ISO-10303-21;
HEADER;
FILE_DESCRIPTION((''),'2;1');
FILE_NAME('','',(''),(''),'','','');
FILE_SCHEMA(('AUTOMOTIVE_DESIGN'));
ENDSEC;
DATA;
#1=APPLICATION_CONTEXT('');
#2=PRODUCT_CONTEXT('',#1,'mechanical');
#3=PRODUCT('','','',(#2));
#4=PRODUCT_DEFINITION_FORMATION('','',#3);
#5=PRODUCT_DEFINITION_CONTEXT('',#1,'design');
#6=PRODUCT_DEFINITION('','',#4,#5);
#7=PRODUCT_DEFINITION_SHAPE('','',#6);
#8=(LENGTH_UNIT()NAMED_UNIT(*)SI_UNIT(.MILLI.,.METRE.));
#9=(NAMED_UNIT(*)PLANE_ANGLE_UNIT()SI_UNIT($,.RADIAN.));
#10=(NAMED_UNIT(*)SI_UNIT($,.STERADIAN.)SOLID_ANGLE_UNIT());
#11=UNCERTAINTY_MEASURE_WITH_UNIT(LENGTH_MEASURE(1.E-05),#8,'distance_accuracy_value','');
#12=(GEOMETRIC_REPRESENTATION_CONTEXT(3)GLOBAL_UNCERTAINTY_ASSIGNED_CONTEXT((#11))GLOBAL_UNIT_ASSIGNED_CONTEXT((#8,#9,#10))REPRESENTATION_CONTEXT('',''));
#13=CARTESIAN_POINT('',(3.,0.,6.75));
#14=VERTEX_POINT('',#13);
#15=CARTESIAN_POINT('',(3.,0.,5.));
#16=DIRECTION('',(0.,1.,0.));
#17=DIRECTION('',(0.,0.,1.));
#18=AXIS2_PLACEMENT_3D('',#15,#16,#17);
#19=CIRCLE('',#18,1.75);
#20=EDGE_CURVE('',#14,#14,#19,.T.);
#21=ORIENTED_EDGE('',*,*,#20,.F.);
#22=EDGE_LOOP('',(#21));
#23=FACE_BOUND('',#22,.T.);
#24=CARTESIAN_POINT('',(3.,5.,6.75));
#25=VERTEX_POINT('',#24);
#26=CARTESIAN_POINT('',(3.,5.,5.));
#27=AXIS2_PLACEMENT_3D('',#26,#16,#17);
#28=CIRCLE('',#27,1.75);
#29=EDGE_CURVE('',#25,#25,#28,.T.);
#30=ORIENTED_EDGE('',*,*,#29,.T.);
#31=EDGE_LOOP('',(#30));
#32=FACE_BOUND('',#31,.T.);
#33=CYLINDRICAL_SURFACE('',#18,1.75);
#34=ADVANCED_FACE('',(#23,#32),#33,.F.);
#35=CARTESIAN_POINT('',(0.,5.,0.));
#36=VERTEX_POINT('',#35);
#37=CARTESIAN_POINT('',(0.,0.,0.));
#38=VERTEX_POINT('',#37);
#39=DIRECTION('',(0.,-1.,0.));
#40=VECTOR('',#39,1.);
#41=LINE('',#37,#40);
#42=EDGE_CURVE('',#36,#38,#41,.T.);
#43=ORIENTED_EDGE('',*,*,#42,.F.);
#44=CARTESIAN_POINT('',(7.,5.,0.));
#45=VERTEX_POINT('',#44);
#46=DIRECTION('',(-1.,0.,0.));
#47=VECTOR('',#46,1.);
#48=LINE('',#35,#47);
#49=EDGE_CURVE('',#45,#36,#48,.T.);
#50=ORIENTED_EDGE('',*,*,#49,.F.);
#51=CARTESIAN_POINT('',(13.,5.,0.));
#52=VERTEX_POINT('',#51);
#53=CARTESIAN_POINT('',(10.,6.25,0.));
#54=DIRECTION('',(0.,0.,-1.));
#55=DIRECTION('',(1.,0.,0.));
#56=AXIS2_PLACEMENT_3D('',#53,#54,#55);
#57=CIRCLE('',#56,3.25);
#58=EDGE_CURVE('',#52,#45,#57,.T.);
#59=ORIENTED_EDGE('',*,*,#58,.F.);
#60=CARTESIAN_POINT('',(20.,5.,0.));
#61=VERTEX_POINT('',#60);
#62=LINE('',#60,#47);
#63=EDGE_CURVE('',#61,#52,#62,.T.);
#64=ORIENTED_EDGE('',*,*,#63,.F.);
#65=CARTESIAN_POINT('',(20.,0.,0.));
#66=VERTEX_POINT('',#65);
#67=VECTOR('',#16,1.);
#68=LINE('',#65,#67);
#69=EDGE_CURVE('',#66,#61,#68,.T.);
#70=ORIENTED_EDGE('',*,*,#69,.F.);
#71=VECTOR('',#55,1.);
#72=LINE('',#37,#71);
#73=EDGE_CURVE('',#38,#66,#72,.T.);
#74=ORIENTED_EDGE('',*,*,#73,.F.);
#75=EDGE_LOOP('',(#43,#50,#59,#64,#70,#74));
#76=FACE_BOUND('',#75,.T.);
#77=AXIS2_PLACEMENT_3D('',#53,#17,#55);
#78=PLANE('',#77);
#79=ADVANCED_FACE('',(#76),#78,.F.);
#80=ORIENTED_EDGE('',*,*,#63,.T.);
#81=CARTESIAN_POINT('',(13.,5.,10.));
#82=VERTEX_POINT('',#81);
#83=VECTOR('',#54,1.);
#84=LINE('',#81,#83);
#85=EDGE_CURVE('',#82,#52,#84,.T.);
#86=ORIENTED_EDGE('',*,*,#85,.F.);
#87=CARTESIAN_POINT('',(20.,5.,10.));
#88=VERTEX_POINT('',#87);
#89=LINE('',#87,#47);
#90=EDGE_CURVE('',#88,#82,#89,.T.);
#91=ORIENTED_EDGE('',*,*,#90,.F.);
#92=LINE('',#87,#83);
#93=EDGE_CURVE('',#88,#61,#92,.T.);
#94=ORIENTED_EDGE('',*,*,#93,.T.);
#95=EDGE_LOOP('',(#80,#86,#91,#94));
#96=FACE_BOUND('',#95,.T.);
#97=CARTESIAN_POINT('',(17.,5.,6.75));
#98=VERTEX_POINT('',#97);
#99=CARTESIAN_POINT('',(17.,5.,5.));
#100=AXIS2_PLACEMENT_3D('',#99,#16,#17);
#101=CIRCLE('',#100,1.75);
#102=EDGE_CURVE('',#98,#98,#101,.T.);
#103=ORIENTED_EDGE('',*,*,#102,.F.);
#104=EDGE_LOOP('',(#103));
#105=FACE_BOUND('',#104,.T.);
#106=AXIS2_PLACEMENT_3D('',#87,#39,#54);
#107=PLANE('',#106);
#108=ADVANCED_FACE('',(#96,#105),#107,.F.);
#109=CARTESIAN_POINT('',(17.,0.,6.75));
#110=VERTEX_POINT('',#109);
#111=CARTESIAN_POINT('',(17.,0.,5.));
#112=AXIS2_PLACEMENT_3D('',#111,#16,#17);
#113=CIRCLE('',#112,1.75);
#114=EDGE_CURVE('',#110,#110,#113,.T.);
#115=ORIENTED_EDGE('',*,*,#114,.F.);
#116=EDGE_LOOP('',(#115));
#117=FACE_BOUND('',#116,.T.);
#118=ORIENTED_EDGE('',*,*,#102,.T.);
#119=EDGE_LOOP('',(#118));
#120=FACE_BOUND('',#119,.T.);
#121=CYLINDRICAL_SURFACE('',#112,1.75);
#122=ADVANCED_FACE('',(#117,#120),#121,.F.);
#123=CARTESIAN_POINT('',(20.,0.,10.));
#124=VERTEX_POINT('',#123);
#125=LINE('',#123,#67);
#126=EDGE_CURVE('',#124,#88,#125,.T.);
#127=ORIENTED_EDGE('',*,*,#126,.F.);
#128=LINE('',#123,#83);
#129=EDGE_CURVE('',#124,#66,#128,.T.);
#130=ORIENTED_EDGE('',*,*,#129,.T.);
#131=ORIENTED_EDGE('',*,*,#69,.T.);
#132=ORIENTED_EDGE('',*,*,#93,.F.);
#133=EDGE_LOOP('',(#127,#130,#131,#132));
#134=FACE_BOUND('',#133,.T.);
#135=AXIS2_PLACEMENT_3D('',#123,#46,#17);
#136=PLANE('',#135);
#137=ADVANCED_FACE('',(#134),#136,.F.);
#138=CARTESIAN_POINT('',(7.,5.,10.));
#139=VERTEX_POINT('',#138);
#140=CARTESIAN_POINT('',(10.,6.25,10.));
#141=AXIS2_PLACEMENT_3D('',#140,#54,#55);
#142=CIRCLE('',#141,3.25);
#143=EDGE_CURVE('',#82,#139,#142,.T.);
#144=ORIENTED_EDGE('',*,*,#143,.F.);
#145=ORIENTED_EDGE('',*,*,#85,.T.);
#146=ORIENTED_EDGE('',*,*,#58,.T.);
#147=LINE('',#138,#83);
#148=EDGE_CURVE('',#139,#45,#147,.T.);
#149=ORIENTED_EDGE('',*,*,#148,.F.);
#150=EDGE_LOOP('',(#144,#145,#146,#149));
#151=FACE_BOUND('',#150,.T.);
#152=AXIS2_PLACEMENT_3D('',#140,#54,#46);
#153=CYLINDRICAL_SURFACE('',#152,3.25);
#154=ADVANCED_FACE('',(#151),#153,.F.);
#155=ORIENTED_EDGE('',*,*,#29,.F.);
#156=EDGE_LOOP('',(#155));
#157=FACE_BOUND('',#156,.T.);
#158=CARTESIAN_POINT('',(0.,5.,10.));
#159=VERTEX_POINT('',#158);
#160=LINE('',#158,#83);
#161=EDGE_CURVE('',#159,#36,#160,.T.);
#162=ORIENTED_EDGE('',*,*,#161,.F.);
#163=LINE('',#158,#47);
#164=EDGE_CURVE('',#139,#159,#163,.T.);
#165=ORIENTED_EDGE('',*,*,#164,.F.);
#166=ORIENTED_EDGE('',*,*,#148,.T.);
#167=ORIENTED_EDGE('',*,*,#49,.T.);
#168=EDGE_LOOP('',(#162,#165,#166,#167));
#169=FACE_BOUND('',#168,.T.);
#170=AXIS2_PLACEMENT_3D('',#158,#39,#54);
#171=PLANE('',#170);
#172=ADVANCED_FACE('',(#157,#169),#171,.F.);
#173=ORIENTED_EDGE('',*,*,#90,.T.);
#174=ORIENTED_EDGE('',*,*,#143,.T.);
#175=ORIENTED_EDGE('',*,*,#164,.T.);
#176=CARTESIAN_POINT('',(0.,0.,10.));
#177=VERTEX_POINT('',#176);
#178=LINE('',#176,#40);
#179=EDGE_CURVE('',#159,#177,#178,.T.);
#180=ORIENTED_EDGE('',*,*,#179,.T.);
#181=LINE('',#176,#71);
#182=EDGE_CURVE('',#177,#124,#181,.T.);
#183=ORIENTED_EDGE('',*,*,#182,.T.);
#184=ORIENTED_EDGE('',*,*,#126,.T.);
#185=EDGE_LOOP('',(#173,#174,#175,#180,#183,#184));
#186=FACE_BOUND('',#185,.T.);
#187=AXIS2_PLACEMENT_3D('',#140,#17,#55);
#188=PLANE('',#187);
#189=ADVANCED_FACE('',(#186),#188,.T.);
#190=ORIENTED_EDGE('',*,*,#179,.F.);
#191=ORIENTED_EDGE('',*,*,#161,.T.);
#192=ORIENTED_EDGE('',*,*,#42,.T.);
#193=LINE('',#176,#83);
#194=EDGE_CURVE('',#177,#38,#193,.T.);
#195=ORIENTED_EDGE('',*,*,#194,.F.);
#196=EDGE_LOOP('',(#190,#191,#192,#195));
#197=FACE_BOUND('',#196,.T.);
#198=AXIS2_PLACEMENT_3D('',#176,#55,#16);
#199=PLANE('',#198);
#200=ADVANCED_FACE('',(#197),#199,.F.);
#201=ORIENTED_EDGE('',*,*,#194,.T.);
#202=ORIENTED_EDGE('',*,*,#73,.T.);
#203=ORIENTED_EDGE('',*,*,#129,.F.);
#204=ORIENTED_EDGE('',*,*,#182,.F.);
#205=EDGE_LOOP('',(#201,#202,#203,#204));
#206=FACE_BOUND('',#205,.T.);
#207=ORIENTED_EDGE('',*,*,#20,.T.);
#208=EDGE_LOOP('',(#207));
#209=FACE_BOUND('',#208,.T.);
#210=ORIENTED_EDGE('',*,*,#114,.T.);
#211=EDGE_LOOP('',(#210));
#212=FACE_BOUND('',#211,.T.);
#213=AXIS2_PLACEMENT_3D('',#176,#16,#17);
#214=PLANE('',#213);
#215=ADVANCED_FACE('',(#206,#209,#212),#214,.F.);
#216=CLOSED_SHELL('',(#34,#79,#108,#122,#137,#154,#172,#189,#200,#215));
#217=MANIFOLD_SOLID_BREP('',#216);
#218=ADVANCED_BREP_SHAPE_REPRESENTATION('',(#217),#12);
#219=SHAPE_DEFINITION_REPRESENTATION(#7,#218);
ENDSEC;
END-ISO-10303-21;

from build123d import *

# Parameters (mm, degrees)
AUFSATZ_LINEAR_AUSTRAGEN1_DEPTH = 10
SKIZZE2_R                       = 1.75
SCHNITT_LINEAR_AUSTRAGEN1_DEPTH = 6


with BuildPart() as part:
    # Skizze1 → Aufsatz-Linear austragen1 (new body)
    with BuildSketch(Plane.XY):
        with BuildLine():
            Line((0, 0), (20, 0))
            Line((20, 0), (20, 5))
            Line((20, 5), (13, 5))
            ThreePointArc((13, 5), (10, 3), (7, 5))
            Line((7, 5), (0, 5))
            Line((0, 5), (0, 0))
        make_face()
    extrude(amount=AUFSATZ_LINEAR_AUSTRAGEN1_DEPTH)

    # Skizze2 → Schnitt-Linear austragen1 (cut, through all)
    with BuildSketch(Plane(origin=(0, 5, 0), x_dir=(1, 0, 0), z_dir=(0, 1, 0))):
        with Locations((3, -5)):
            Circle(SKIZZE2_R)
        with Locations((17, -5)):
            Circle(SKIZZE2_R)
    extrude(amount=-SCHNITT_LINEAR_AUSTRAGEN1_DEPTH, mode=Mode.SUBTRACT)


solid = part.part
